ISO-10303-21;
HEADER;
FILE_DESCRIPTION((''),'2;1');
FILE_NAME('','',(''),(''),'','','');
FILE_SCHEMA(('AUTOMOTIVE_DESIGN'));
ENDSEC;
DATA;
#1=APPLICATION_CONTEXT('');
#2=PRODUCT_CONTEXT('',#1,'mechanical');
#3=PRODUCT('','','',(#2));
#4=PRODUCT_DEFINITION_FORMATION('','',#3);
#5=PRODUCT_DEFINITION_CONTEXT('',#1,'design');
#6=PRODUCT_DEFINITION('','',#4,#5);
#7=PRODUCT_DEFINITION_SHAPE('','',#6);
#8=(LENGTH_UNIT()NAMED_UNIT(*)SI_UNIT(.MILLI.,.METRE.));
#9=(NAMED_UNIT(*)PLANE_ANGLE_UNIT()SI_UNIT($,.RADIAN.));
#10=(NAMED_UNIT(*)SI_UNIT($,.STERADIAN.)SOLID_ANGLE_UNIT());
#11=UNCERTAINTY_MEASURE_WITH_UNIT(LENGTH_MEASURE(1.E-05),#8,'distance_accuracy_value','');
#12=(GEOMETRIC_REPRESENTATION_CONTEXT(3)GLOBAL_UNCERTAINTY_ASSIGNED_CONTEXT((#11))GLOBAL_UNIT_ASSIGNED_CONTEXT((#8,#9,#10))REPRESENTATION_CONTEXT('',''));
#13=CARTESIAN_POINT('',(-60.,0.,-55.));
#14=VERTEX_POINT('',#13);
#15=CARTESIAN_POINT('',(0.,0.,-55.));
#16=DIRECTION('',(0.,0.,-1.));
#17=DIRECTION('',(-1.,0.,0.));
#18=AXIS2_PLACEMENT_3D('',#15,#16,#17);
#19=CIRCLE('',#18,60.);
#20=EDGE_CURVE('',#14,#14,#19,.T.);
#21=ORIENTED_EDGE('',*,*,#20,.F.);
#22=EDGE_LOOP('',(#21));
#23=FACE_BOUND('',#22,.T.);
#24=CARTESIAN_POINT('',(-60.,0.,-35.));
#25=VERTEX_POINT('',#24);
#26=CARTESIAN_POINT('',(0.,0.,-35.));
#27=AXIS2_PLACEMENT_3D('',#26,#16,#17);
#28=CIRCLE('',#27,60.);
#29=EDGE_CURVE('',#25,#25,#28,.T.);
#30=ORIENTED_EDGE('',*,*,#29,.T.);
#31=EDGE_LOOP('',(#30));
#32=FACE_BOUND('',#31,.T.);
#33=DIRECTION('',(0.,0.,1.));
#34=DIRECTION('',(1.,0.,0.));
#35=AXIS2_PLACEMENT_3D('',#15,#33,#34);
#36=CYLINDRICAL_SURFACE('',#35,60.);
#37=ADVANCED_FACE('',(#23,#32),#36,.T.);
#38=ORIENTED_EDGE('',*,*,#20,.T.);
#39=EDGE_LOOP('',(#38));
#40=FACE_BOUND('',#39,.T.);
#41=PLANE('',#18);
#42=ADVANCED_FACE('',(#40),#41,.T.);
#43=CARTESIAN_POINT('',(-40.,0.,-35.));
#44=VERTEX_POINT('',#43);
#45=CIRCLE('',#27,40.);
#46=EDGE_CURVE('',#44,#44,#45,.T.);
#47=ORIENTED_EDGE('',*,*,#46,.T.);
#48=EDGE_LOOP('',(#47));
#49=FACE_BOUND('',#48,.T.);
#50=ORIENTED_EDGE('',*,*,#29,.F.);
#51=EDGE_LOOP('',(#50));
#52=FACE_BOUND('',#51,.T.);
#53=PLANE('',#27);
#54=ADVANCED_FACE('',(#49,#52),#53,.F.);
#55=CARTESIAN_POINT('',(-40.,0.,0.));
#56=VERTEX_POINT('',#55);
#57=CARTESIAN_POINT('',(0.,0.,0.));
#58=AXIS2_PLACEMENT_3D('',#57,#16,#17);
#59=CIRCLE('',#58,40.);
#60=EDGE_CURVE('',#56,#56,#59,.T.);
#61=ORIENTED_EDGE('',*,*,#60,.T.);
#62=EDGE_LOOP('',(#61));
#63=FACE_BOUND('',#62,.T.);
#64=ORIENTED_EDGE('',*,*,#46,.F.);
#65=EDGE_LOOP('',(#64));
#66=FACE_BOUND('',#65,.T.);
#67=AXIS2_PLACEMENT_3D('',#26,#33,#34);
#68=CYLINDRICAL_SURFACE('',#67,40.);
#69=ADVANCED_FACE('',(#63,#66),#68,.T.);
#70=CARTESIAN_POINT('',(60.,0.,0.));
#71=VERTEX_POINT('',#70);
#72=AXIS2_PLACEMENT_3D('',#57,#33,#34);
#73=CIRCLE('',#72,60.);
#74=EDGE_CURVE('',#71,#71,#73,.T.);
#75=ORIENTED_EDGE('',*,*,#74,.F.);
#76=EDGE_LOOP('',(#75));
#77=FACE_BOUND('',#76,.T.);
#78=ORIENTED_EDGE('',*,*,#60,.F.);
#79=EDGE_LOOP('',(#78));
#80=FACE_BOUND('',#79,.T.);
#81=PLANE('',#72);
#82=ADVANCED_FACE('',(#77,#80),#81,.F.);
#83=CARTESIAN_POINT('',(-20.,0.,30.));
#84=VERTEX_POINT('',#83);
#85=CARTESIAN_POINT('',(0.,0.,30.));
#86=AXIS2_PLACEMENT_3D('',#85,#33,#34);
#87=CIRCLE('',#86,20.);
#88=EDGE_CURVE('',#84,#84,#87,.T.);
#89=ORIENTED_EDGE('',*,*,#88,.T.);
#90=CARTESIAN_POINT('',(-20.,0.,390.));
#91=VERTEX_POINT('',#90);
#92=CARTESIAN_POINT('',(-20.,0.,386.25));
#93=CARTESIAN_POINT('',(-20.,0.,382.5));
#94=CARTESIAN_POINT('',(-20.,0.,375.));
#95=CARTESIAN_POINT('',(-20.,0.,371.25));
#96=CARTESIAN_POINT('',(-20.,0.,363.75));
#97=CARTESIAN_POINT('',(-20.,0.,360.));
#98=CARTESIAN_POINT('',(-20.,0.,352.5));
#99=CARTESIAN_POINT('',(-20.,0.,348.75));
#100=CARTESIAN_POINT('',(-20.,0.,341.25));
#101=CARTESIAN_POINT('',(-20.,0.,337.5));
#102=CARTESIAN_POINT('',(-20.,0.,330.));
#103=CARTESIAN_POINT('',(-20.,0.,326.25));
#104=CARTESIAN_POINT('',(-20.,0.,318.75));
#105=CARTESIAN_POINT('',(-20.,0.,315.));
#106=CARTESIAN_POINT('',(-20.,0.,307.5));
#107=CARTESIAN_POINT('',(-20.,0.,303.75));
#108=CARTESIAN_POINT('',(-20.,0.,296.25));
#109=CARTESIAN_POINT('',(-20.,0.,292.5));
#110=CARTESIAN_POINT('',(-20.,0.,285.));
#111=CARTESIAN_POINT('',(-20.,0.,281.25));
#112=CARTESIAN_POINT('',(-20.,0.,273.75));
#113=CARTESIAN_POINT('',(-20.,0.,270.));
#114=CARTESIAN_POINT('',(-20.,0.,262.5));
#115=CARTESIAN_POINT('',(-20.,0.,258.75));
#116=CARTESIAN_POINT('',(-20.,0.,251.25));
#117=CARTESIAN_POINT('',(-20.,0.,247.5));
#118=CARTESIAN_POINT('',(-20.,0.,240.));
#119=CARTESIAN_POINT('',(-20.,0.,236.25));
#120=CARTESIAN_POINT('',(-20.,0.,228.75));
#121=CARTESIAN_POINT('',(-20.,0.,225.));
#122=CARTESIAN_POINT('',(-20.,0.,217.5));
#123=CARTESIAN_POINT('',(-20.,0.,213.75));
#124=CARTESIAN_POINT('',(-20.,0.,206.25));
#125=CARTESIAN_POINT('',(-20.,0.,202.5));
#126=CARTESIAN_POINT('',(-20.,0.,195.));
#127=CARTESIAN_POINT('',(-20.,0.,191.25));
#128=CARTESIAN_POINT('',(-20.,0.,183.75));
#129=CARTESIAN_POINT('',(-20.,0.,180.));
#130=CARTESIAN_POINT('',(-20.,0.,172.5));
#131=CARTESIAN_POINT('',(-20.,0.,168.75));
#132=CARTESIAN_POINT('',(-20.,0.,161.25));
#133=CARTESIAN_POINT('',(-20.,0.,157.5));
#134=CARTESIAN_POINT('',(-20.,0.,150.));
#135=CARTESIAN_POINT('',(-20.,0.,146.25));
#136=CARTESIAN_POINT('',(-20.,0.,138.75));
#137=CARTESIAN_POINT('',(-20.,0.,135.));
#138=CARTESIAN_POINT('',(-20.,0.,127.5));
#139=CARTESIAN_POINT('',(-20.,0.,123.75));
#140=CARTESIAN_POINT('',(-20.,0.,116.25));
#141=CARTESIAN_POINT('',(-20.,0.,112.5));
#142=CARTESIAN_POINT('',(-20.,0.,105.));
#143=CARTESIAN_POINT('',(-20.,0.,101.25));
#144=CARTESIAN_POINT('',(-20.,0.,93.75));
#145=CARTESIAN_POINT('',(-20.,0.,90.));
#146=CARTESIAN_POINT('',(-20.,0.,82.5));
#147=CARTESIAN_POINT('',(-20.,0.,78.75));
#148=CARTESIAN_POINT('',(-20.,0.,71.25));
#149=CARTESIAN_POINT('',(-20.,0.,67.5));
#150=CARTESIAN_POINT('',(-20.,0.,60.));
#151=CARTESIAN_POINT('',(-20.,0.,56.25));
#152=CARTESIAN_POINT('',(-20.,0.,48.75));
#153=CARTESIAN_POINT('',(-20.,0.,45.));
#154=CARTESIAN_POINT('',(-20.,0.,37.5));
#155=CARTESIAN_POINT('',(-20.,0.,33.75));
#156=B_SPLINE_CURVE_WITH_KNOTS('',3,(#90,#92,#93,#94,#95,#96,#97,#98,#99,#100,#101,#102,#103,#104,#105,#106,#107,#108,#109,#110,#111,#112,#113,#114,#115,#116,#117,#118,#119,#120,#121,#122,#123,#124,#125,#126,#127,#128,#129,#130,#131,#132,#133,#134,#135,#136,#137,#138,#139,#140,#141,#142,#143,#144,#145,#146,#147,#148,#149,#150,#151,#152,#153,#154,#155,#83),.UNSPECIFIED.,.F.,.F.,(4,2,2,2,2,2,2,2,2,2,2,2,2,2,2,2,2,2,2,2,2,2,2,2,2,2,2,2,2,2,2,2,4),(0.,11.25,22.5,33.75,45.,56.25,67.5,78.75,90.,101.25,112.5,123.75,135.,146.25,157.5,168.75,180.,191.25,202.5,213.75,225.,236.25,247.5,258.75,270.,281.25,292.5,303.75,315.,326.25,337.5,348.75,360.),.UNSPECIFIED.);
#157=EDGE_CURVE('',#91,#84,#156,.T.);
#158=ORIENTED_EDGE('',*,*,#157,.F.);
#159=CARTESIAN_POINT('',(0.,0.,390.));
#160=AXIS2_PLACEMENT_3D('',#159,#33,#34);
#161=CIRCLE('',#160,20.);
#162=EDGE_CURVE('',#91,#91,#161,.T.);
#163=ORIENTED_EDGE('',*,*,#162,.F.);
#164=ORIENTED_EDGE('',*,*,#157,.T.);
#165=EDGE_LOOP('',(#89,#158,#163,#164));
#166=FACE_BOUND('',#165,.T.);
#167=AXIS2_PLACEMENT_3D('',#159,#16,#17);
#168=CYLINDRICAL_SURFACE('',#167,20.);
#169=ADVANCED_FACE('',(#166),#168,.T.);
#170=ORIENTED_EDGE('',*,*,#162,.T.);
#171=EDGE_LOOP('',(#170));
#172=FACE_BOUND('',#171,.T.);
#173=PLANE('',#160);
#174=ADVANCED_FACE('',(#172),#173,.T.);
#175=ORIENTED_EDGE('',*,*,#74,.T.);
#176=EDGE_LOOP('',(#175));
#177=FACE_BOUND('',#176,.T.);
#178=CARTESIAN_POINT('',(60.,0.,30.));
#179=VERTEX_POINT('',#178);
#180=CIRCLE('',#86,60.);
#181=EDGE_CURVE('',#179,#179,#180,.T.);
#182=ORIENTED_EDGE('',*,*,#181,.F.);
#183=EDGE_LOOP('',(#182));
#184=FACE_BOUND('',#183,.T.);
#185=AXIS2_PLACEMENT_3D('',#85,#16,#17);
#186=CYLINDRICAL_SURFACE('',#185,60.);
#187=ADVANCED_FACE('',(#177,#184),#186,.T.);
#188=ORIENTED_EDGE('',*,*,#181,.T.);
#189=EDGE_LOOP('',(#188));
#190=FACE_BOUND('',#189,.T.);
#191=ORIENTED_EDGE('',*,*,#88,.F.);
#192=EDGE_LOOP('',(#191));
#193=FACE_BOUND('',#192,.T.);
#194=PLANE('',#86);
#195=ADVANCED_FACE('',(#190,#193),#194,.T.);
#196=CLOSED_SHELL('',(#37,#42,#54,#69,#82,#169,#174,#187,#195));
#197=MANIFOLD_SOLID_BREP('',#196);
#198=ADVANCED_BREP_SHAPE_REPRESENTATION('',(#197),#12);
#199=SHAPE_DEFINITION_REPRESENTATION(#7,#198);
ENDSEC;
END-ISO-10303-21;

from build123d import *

# Parameters (mm, degrees)
SKIZZE1_R                       = 60
AUFSATZ_LINEAR_AUSTRAGEN1_DEPTH = 30
SKIZZE2_R                       = 20
AUFSATZ_LINEAR_AUSTRAGEN2_DEPTH = 360
SKIZZE3_R                       = 40
AUFSATZ_LINEAR_AUSTRAGEN3_DEPTH = 35
AUFSATZ_LINEAR_START            = 20
SKIZZE4_R                       = 60
AUFSATZ_LINEAR_AUSTRAGEN4_DEPTH = 20


with BuildPart() as part:
    # Skizze1 → Aufsatz-Linear austragen1 (new body)
    with BuildSketch(Plane.XY):
        Circle(SKIZZE1_R)
    extrude(amount=AUFSATZ_LINEAR_AUSTRAGEN1_DEPTH)

    # Skizze2 → Aufsatz-Linear austragen2 (add)
    with BuildSketch(Plane.XY.offset(30)):
        with Locations(Location((0, 0, 0), (0, 0, 180))):
            Circle(SKIZZE2_R)
    extrude(amount=AUFSATZ_LINEAR_AUSTRAGEN2_DEPTH)

    # Skizze3 → Aufsatz-Linear austragen3 (add)
    with BuildSketch(Plane(origin=(0, 0, 0), x_dir=(-1, 0, 0), z_dir=(0, 0, -1))):
        Circle(SKIZZE3_R)
    extrude(amount=AUFSATZ_LINEAR_AUSTRAGEN3_DEPTH)

    # Skizze4 → Aufsatz-Linear austragen4 (add)
    with BuildSketch(Plane(origin=(0, 0, -35), x_dir=(-1, 0, 0), z_dir=(0, 0, -1)).offset(AUFSATZ_LINEAR_START)):
        with Locations(Location((0, 0, 0), (0, 0, 180))):
            Circle(SKIZZE4_R)
    extrude(amount=-AUFSATZ_LINEAR_AUSTRAGEN4_DEPTH)


solid = part.part
